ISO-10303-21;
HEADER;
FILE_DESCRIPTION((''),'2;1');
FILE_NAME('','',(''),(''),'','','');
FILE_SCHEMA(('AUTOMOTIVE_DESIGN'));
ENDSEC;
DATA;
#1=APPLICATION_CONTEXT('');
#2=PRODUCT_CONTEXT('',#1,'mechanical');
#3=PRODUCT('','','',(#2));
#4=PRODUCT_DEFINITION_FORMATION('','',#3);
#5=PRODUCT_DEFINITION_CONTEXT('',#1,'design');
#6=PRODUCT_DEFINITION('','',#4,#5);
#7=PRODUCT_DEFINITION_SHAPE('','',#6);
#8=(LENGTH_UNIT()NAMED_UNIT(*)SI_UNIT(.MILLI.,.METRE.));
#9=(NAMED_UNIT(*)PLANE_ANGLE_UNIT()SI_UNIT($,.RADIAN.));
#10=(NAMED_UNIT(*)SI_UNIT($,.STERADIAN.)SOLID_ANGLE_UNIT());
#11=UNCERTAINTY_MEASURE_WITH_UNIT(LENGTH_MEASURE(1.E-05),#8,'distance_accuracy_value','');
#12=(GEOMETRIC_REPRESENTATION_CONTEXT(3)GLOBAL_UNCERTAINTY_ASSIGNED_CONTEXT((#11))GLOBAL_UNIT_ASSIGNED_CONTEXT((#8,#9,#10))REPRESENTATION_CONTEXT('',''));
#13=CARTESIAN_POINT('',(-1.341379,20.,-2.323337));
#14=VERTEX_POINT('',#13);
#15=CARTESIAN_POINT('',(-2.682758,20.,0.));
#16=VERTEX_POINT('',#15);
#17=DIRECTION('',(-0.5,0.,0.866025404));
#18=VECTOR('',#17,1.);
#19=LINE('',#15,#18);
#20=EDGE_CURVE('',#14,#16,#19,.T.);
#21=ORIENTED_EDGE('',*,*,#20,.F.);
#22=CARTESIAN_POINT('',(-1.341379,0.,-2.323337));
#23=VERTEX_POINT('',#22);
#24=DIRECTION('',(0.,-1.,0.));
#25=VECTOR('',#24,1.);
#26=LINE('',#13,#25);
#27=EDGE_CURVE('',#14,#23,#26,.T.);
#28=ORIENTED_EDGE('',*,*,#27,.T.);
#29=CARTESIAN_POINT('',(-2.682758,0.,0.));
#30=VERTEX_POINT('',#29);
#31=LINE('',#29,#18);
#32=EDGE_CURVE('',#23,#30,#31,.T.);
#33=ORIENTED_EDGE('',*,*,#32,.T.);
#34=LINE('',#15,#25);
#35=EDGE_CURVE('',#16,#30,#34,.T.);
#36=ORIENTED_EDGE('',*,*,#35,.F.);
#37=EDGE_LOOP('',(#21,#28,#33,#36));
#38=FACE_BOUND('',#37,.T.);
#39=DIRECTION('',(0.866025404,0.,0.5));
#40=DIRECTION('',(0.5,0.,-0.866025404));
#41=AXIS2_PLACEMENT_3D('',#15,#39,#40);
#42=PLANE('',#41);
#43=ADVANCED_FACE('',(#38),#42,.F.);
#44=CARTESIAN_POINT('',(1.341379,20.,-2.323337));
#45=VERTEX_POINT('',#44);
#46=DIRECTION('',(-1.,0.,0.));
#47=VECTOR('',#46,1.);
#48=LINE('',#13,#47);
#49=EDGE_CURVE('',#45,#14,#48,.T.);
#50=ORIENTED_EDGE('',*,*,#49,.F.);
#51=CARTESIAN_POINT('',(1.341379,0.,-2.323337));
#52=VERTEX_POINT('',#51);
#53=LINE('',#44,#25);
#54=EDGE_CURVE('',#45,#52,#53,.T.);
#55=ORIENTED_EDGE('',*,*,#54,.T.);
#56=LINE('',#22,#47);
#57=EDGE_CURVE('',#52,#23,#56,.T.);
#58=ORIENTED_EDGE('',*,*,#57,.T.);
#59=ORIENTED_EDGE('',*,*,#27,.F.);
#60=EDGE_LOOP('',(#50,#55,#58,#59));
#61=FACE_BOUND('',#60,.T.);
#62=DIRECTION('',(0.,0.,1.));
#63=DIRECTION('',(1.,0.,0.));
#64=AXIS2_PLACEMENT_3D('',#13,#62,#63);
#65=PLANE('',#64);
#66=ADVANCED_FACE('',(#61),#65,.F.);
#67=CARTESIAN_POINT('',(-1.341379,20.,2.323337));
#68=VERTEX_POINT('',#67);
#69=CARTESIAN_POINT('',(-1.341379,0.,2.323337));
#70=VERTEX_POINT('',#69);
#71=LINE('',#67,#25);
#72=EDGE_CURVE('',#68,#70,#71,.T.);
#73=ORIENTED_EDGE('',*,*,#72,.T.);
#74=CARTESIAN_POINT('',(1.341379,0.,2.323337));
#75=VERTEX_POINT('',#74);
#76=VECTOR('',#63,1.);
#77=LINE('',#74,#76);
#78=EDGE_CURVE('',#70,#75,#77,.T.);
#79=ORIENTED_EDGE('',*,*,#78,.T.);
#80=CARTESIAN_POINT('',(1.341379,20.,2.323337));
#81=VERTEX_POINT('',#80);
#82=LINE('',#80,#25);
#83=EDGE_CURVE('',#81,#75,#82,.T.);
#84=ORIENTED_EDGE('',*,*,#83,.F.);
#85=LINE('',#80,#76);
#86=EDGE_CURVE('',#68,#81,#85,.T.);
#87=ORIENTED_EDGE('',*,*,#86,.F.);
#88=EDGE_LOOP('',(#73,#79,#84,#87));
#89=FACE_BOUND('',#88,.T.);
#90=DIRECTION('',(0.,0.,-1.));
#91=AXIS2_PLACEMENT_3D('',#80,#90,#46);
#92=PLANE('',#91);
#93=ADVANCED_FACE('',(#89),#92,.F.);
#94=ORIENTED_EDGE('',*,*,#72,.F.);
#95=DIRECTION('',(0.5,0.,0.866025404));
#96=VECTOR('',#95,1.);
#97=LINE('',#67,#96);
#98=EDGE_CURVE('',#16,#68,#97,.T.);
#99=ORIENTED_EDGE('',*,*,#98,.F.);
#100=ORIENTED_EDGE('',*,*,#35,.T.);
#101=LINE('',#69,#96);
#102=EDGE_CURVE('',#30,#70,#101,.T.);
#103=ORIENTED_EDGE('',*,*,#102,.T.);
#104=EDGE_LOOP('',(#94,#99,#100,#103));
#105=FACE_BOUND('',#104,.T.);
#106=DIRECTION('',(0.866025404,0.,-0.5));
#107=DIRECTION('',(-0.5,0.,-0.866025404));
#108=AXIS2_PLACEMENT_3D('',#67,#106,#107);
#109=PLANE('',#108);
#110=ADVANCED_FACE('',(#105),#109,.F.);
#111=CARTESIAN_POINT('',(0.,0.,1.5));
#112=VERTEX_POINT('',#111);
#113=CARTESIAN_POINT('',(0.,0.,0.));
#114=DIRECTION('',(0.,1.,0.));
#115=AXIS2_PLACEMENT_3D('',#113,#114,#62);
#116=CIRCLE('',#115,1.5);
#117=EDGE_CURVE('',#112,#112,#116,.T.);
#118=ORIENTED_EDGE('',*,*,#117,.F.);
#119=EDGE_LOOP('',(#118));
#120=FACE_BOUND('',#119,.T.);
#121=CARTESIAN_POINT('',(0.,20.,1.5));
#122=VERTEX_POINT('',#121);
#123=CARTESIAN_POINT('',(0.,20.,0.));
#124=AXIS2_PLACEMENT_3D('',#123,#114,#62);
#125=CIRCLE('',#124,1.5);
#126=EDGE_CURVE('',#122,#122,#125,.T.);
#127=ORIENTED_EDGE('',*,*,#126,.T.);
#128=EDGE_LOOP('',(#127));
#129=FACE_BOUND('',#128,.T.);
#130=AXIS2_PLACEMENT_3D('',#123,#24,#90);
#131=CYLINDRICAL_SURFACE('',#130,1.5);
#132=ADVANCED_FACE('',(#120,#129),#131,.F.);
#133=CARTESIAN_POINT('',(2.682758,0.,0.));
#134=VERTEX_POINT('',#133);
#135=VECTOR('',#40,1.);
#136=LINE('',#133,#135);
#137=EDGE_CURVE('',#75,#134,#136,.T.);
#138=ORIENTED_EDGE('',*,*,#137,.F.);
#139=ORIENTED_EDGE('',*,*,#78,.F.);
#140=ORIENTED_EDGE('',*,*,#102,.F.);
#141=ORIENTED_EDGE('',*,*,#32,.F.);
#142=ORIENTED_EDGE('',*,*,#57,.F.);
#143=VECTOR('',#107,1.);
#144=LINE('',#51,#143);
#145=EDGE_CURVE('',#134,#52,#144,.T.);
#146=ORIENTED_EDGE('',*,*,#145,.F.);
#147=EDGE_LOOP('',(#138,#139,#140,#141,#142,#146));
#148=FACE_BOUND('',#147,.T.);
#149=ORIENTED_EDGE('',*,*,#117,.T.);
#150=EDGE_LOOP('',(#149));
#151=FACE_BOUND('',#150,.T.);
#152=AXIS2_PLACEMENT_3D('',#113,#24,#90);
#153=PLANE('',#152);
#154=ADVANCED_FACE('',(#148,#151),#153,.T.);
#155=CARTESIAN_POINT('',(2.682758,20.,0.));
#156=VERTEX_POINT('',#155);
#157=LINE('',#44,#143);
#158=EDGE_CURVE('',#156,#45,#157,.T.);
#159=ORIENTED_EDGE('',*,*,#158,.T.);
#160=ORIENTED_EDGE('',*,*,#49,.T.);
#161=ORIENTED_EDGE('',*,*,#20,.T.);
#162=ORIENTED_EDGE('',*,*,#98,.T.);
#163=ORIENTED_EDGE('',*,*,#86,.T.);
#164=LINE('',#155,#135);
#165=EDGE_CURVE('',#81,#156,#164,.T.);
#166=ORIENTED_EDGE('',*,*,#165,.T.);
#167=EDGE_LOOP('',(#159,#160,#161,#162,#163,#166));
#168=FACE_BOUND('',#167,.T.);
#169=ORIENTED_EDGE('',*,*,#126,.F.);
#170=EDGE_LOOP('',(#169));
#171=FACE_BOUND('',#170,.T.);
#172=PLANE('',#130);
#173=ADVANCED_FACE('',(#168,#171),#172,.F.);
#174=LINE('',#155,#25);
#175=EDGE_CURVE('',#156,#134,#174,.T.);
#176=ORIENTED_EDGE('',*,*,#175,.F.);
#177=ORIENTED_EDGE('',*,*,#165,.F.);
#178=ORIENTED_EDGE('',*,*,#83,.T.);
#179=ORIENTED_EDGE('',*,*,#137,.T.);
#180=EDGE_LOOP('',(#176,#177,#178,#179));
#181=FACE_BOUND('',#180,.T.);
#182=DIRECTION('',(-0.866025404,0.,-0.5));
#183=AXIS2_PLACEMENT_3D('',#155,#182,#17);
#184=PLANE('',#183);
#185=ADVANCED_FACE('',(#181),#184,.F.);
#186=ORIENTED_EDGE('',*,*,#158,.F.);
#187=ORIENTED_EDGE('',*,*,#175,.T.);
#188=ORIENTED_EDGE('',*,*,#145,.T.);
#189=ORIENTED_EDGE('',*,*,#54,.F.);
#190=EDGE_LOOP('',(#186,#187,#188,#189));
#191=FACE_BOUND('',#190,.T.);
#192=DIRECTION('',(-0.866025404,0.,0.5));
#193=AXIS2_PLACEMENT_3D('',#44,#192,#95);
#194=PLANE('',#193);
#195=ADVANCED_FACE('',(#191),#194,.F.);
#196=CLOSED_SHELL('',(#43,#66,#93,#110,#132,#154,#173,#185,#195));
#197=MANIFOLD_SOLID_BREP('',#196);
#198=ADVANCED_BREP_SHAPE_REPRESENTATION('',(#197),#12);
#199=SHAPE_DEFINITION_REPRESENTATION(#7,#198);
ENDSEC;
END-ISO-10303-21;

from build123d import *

# Parameters (mm, degrees)
SKETCH1_R           = 1.5
BOSS_EXTRUDE1_DEPTH = 20


with BuildPart() as part:
    # Sketch1 → Boss-Extrude1 (new body)
    with BuildSketch(Plane(origin=(0, 0, 0), x_dir=(1, 0, 0), z_dir=(0, 1, 0))):
        Polygon((1.341379, 2.32333658), (2.682757999, 0), (1.341379, -2.32333658), (-1.341379, -2.32333658), (-2.682757999, 0), (-1.341379, 2.32333658), align=None)
        Circle(SKETCH1_R, mode=Mode.SUBTRACT)
    extrude(amount=BOSS_EXTRUDE1_DEPTH)


solid = part.part
